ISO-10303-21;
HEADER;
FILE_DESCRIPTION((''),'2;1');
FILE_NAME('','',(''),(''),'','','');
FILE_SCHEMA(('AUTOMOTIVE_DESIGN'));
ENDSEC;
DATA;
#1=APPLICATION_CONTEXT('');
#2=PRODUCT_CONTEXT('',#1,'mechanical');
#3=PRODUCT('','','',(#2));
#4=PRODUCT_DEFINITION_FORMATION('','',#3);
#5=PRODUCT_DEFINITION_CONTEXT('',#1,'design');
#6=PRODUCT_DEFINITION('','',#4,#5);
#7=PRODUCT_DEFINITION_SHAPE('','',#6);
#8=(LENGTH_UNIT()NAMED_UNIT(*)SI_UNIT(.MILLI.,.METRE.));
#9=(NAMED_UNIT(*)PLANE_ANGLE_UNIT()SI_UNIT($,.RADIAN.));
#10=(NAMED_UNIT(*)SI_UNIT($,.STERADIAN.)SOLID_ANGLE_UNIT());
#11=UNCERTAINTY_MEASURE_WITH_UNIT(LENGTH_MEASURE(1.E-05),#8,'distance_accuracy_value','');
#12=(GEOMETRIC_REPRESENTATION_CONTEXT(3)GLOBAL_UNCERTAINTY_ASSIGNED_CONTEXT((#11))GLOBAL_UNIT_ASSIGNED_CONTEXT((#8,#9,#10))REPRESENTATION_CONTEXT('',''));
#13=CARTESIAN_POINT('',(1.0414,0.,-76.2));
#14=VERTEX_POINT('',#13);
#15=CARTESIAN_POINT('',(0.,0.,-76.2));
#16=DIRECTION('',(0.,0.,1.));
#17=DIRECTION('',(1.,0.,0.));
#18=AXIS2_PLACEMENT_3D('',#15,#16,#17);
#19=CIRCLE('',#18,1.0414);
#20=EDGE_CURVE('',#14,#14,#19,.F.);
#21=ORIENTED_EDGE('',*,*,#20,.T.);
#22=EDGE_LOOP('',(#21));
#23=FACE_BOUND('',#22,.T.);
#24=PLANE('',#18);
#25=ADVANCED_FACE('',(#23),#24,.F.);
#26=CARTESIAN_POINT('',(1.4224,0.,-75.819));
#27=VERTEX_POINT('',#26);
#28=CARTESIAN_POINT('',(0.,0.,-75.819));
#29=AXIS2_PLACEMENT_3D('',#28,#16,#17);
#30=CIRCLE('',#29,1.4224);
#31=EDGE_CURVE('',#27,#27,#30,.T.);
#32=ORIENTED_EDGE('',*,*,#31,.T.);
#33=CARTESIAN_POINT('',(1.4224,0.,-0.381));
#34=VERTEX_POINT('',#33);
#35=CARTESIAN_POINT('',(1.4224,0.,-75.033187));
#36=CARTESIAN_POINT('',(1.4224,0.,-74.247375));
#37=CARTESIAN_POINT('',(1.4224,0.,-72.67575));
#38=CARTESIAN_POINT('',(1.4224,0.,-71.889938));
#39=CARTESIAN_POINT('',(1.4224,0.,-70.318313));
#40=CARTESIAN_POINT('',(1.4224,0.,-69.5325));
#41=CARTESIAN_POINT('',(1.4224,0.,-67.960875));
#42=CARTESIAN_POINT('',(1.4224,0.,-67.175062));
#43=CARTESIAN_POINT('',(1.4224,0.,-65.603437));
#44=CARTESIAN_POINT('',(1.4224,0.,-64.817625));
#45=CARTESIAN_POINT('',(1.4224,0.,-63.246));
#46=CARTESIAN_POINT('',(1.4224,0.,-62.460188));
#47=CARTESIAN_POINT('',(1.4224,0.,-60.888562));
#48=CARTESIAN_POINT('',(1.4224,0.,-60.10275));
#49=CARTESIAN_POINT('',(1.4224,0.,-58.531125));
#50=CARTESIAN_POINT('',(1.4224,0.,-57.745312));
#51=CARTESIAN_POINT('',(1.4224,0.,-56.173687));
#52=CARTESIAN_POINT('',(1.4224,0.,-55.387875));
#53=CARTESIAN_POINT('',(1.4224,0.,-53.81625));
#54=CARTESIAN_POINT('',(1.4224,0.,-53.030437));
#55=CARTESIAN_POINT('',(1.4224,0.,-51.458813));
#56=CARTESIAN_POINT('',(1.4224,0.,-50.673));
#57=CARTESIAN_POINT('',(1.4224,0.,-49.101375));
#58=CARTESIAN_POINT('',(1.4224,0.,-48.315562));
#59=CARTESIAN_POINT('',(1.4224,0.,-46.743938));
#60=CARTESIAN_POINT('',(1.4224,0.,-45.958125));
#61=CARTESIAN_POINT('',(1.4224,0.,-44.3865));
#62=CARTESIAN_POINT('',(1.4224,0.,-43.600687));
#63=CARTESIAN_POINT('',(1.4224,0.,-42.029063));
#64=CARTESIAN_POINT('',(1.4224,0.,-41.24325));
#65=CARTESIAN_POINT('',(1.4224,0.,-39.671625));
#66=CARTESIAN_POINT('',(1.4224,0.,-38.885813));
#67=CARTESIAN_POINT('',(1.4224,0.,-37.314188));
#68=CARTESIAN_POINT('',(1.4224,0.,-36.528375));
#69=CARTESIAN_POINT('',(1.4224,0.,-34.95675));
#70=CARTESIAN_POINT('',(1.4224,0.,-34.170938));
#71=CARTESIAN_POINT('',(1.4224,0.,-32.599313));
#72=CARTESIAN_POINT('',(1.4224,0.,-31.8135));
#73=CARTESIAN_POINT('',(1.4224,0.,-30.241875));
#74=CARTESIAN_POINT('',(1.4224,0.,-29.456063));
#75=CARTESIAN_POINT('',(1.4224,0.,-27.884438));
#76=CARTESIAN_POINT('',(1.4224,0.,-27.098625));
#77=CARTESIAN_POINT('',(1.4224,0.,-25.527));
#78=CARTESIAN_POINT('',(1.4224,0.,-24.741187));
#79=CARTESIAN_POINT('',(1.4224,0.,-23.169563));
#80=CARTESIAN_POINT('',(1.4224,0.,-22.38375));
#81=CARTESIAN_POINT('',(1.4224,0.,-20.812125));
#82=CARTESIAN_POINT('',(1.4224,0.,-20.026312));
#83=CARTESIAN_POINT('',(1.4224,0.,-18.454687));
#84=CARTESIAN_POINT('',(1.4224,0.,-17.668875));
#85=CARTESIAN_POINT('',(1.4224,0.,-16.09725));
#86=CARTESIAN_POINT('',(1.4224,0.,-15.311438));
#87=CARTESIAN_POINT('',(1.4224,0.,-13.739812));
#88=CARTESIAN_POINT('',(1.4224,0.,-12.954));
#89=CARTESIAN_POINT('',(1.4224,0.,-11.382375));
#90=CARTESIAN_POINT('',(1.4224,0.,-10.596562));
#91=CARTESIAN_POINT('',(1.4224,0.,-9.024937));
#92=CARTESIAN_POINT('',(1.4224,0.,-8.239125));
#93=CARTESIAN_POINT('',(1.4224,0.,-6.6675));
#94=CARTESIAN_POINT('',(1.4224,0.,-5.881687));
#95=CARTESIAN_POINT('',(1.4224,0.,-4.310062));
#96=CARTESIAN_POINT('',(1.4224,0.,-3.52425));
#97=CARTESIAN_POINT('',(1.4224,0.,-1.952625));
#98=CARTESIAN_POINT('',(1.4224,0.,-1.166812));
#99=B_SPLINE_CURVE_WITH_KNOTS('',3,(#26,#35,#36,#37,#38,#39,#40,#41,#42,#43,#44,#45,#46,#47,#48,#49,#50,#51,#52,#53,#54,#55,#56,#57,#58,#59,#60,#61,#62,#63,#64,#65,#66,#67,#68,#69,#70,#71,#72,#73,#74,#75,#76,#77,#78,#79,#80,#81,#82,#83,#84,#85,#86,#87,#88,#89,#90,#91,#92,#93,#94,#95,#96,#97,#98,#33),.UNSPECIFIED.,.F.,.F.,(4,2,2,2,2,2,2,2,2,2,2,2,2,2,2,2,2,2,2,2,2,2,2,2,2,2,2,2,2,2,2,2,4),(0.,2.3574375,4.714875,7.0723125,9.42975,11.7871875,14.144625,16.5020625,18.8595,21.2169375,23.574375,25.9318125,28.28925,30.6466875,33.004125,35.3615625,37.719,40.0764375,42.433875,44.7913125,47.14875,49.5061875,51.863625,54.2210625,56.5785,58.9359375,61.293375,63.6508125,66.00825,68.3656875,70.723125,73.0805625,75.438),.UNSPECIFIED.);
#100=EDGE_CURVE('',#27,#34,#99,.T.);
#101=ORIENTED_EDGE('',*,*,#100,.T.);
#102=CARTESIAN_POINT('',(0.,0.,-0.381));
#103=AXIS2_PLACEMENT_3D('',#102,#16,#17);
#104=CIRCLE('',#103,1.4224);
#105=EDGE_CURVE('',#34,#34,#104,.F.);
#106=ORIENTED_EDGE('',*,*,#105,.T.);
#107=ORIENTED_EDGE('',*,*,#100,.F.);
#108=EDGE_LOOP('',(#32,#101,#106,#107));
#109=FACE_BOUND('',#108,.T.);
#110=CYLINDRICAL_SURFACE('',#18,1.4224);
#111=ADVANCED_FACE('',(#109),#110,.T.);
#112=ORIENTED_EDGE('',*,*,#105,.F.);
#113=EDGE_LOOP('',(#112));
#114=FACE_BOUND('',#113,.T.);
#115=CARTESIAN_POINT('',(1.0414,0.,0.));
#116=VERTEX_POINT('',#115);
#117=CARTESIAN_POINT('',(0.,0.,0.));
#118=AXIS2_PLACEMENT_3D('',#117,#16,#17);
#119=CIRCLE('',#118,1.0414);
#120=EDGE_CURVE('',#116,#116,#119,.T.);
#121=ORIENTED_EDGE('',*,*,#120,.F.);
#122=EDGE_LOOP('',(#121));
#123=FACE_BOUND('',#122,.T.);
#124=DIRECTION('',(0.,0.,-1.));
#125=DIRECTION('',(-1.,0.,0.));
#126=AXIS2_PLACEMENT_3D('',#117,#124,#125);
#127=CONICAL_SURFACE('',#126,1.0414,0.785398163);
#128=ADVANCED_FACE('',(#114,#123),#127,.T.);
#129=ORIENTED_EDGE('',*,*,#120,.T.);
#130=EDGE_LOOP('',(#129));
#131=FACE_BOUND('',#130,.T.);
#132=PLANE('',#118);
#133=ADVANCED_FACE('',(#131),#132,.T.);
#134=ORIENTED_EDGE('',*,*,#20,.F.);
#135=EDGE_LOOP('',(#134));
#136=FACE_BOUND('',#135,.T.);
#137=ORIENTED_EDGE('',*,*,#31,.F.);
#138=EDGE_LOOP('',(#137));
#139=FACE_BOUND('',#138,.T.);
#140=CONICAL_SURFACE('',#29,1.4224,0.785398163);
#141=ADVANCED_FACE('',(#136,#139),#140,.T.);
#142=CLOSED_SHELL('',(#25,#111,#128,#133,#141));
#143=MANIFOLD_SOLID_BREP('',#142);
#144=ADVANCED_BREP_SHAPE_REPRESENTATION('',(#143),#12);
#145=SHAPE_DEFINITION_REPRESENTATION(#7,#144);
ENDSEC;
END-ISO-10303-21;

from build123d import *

# Parameters (mm, degrees)
SKETCH1_R      = 1.4224
EXTRUDE1_DEPTH = 76.2
CHAMFER1_SIZE  = 0.381


with BuildPart() as part:
    # Sketch1 → Extrude1 (new body)
    with BuildSketch(Plane.XY):
        Circle(SKETCH1_R)
    extrude(amount=-EXTRUDE1_DEPTH)

    # Chamfer1
    chamfer1_edges = [part.edges().sort_by_distance(p)[0] for p in [
        (-1.4224, 0, 0),
        (-1.4224, 0, -76.2),
    ]]
    chamfer(chamfer1_edges, length=CHAMFER1_SIZE)


solid = part.part
